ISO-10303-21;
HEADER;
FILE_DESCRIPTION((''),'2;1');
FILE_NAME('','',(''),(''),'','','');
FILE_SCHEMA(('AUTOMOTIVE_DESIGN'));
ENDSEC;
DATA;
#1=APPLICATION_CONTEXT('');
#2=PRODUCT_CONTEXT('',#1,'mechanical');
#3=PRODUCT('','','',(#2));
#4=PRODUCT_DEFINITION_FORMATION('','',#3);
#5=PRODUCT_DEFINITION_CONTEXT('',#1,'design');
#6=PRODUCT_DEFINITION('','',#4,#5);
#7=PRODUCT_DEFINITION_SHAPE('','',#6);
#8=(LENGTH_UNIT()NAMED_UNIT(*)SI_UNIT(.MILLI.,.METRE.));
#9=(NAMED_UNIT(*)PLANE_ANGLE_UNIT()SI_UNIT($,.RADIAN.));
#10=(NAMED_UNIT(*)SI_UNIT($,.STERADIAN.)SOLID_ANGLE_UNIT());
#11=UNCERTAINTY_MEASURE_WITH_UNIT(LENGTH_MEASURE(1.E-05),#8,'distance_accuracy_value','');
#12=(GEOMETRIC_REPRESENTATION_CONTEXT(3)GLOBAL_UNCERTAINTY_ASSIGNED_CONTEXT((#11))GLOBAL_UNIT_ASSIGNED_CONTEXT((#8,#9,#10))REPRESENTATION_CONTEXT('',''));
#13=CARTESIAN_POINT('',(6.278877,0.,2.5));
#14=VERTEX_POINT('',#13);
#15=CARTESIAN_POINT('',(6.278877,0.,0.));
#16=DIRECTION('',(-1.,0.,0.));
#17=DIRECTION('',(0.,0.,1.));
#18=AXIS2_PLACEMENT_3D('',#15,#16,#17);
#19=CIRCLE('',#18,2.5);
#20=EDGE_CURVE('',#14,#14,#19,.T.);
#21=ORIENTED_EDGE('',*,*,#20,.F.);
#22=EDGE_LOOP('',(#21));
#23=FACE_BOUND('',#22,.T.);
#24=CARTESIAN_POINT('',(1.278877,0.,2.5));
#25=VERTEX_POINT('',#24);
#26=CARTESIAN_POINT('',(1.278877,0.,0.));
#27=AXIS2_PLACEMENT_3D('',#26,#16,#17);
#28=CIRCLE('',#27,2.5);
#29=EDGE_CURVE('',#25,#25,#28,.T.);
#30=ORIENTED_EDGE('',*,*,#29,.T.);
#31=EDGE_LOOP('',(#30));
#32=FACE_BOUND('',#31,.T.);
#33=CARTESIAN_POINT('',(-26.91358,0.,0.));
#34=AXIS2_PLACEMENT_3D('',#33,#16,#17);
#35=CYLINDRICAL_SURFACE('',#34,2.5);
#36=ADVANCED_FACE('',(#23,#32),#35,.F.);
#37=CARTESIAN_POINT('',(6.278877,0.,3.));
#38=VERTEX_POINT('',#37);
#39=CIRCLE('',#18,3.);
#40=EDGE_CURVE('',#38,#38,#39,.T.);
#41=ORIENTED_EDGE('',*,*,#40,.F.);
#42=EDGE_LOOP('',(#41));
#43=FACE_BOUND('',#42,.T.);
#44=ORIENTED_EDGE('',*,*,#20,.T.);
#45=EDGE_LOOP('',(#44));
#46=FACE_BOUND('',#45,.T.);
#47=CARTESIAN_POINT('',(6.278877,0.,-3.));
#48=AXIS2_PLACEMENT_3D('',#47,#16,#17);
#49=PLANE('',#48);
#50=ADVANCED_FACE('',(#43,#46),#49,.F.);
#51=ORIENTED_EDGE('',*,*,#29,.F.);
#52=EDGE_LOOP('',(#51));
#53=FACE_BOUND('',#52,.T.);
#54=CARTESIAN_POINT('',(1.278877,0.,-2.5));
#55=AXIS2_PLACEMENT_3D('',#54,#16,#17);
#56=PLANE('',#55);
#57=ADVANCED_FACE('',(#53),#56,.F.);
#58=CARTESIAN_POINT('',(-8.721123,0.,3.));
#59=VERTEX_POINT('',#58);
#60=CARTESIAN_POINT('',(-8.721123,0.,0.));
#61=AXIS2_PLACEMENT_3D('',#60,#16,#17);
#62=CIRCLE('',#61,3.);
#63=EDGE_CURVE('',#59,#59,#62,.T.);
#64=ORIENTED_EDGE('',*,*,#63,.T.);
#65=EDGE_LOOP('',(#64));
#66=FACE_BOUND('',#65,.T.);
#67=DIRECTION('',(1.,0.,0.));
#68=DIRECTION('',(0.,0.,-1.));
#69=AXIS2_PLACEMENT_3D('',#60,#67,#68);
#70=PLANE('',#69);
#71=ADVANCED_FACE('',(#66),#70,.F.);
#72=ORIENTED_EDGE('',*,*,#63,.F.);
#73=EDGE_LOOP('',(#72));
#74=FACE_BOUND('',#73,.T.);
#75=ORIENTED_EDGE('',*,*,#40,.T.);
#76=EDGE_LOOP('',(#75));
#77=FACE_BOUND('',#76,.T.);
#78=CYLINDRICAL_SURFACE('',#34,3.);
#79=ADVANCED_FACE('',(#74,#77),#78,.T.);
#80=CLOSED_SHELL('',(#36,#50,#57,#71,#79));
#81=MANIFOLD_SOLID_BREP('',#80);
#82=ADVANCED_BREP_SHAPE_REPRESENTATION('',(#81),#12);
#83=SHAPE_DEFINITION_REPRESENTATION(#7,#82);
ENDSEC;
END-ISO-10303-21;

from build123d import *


with BuildPart() as part:
    # Sketch1 → Revolve1 (revolve)
    with BuildSketch(Plane(origin=(0, 0, 0), x_dir=(1, 0, 0), z_dir=(0, 1, 0))):
        Polygon((-8.721123036, 0), (-8.721123036, 3), (6.278876964, 3), (6.278876964, 2.5), (1.278876964, 2.5), (1.278876964, 0), align=None)
    revolve(axis=Axis((-26.913580247, 0, 0), (1, 0, 0)))


solid = part.part
